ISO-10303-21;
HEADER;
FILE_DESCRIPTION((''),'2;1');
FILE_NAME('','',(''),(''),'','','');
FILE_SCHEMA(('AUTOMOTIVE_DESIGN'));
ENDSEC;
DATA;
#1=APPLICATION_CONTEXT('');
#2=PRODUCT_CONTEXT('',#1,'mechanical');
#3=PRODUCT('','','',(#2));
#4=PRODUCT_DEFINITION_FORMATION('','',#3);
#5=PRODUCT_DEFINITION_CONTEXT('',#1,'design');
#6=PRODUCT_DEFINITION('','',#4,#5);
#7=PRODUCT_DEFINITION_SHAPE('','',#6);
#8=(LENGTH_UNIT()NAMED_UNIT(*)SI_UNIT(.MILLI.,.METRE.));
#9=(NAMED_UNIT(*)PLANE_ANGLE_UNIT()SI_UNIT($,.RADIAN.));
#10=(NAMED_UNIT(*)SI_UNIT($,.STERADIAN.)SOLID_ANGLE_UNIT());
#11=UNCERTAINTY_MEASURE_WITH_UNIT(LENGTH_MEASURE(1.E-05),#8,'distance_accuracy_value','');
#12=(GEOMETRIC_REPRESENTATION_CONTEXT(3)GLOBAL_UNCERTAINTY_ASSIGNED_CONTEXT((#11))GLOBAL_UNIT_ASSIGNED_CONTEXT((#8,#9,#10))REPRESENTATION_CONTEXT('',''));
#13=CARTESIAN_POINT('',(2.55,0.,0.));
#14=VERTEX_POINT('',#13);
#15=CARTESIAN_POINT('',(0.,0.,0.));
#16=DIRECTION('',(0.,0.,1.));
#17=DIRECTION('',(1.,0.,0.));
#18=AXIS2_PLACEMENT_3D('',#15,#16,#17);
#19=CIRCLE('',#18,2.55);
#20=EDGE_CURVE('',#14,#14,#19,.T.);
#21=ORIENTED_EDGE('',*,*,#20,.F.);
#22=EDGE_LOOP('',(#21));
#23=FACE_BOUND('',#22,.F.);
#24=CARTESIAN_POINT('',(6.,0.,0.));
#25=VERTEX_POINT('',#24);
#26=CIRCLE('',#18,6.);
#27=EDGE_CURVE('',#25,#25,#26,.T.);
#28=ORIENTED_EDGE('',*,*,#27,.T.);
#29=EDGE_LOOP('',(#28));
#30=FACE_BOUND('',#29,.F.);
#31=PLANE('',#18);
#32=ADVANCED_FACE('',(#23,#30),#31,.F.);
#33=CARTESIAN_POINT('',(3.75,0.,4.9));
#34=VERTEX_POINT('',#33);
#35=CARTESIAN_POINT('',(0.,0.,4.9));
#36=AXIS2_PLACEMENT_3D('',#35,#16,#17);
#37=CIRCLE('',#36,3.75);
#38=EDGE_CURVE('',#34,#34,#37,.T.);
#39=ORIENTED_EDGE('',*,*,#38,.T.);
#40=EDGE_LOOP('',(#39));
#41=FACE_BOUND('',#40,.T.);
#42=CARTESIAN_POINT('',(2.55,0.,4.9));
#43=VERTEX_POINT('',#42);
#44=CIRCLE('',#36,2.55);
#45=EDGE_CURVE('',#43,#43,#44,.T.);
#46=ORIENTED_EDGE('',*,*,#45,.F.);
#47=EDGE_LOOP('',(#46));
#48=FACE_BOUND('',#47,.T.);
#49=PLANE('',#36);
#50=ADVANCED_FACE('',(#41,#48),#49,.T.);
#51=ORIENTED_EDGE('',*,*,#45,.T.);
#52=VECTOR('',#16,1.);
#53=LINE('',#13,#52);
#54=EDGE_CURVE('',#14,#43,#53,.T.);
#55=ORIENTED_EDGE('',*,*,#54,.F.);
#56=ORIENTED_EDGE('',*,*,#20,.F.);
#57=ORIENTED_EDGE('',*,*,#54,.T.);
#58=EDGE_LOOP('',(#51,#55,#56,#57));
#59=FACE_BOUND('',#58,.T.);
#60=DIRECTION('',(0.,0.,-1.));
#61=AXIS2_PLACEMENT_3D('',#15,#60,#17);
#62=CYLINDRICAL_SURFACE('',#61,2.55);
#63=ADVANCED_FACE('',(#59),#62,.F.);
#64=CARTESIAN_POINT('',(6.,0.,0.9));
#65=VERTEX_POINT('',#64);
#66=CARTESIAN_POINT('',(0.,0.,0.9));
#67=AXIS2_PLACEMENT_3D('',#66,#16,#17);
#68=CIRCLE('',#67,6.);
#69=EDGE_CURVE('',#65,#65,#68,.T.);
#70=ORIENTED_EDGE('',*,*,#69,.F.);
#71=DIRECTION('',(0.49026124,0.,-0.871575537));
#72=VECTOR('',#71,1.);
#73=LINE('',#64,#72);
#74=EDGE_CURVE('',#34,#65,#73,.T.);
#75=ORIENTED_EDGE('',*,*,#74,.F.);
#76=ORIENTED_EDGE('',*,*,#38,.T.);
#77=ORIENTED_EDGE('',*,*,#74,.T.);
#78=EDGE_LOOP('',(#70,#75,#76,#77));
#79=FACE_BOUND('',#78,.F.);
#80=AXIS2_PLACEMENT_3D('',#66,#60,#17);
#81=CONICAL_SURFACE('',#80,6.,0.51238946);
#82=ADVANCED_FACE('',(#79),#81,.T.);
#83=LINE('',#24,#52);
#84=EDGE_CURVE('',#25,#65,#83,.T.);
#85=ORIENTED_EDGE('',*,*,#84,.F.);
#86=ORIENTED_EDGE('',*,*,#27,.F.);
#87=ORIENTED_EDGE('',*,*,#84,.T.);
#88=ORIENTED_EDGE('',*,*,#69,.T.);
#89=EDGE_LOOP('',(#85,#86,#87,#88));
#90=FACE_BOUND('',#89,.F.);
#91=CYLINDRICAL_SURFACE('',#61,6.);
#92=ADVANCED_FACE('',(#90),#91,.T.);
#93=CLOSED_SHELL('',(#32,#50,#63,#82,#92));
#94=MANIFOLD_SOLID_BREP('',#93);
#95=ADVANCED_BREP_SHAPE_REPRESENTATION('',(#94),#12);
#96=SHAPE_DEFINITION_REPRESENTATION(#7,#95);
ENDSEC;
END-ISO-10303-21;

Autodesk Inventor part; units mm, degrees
ref_plane "YZ Plane" through (0, 0, 0) normal (1, 0, 0) x (0, 1, 0)
ref_plane "XZ Plane" through (0, 0, 0) normal (0, 1, 0) x (-1, 0, 0)
ref_plane "XY Plane" through (0, 0, 0) normal (0, 0, 1) x (1, 0, 0)
sketch "Sketch1" plane through (0, 0, 0) normal (0, 0, 1) x (1, 0, 0)
  circle A0 centre (0, 0) radius 2.55
  circle A1 centre (0, 0) radius 6
  dimension "d0" = 5.1
  dimension "d1" = 12
extrude "Extrusion1" add sketch "Sketch1" along normal blind 4.9
chamfer "Chamfer1" distance 2.25 distance2 4 1 edges at (-6, 0, 4.9) measured on face at (4.7919, -0.4786, 4.9)
properties part number "3DP_PLA_X_axis_idler_shaft_washer"
